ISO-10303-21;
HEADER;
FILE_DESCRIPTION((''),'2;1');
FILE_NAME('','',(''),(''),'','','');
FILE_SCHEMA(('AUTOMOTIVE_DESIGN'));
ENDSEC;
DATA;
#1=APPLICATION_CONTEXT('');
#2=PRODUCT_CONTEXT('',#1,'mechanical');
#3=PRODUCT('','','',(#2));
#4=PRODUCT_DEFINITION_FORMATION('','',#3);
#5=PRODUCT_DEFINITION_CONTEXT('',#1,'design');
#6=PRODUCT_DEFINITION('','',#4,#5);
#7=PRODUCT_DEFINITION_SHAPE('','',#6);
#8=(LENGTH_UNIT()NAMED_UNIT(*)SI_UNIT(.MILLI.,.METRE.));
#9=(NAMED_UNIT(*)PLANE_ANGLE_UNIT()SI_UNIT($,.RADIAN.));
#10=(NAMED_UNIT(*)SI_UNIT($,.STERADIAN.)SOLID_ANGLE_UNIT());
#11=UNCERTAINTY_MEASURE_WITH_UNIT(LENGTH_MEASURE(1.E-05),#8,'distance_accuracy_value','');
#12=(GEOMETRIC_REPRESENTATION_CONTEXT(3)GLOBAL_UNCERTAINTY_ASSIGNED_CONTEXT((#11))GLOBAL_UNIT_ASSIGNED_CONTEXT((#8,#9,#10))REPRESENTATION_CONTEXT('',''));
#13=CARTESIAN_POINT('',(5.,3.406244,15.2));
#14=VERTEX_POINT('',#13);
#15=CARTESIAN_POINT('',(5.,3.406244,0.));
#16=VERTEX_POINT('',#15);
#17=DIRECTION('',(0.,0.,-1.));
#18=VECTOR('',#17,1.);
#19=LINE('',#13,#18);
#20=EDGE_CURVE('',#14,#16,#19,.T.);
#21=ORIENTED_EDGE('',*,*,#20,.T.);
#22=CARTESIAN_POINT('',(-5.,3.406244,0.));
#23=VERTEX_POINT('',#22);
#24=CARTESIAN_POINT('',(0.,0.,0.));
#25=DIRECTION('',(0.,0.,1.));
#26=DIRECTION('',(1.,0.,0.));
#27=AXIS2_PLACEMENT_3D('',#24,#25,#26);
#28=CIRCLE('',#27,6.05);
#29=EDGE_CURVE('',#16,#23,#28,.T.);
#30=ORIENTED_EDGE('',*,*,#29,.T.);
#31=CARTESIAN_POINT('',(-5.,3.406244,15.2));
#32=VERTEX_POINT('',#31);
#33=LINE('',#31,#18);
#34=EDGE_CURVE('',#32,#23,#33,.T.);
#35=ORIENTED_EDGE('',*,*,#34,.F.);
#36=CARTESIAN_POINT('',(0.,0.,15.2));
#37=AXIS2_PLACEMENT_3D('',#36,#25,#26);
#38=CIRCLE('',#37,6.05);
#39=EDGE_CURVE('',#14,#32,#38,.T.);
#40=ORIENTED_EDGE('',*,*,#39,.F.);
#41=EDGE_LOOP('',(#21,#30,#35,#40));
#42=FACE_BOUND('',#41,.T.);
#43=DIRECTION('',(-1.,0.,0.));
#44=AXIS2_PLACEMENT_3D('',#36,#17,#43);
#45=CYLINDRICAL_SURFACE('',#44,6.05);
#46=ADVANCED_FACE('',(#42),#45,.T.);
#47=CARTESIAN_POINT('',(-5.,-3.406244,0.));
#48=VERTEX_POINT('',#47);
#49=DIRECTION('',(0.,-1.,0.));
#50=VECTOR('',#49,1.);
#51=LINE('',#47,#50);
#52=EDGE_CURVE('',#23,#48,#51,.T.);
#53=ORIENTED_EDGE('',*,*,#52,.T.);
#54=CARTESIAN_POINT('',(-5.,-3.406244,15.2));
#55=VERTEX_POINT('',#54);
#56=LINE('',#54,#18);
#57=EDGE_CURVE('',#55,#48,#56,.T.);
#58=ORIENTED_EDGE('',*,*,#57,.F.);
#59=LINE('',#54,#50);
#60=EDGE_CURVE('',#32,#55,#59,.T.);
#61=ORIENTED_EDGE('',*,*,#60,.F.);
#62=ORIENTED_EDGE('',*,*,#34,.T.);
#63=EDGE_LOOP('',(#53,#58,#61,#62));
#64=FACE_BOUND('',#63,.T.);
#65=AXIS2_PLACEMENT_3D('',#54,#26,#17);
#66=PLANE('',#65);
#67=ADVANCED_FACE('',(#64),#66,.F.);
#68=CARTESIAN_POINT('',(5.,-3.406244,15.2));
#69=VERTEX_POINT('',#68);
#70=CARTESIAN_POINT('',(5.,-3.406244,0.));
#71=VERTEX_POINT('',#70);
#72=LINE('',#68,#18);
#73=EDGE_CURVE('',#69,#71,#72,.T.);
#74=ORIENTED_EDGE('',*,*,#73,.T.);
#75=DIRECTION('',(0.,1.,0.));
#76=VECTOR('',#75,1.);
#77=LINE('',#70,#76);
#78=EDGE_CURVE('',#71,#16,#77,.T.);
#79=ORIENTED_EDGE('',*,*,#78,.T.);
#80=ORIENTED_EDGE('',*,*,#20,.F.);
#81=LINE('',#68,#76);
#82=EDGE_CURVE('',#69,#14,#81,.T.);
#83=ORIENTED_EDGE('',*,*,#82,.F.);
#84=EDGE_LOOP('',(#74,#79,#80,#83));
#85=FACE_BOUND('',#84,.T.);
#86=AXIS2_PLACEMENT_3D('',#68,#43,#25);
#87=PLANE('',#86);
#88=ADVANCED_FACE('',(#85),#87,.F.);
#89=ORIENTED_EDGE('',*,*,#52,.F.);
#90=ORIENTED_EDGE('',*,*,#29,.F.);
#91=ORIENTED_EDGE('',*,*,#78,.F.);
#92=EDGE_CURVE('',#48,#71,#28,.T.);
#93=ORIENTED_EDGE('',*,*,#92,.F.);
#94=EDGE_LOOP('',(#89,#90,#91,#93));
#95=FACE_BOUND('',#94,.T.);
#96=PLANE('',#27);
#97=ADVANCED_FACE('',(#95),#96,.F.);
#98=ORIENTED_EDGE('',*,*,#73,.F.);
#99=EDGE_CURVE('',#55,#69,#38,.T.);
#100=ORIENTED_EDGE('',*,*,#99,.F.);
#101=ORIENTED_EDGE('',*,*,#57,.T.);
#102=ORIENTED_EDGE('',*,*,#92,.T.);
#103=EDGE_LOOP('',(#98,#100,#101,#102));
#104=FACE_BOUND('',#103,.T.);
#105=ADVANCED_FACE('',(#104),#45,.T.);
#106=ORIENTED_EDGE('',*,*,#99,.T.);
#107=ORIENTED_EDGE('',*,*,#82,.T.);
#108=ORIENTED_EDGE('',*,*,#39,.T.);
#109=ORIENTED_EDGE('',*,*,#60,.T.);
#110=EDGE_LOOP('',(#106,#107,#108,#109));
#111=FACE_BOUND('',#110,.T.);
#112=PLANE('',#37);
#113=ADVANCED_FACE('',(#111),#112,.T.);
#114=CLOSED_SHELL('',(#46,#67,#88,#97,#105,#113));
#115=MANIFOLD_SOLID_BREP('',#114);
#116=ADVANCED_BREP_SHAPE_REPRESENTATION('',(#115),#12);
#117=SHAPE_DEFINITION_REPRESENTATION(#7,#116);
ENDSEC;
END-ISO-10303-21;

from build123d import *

# Parameters (mm, degrees)
EXTRUDE_1_DEPTH = 15.2


with BuildPart() as part:
    # 草图1 → 凸台-拉伸1 (new body)
    with BuildSketch(Plane.XY):
        with BuildLine():
            Line((-5, -3.406244266), (-5, 3.406244266))
            ThreePointArc((-5, 3.406244266), (0, 6.05), (5, 3.406244266))
            Line((5, 3.406244266), (5, -3.406244266))
            ThreePointArc((5, -3.406244266), (0, -6.05), (-5, -3.406244266))
        make_face()
    extrude(amount=EXTRUDE_1_DEPTH)


solid = part.part
